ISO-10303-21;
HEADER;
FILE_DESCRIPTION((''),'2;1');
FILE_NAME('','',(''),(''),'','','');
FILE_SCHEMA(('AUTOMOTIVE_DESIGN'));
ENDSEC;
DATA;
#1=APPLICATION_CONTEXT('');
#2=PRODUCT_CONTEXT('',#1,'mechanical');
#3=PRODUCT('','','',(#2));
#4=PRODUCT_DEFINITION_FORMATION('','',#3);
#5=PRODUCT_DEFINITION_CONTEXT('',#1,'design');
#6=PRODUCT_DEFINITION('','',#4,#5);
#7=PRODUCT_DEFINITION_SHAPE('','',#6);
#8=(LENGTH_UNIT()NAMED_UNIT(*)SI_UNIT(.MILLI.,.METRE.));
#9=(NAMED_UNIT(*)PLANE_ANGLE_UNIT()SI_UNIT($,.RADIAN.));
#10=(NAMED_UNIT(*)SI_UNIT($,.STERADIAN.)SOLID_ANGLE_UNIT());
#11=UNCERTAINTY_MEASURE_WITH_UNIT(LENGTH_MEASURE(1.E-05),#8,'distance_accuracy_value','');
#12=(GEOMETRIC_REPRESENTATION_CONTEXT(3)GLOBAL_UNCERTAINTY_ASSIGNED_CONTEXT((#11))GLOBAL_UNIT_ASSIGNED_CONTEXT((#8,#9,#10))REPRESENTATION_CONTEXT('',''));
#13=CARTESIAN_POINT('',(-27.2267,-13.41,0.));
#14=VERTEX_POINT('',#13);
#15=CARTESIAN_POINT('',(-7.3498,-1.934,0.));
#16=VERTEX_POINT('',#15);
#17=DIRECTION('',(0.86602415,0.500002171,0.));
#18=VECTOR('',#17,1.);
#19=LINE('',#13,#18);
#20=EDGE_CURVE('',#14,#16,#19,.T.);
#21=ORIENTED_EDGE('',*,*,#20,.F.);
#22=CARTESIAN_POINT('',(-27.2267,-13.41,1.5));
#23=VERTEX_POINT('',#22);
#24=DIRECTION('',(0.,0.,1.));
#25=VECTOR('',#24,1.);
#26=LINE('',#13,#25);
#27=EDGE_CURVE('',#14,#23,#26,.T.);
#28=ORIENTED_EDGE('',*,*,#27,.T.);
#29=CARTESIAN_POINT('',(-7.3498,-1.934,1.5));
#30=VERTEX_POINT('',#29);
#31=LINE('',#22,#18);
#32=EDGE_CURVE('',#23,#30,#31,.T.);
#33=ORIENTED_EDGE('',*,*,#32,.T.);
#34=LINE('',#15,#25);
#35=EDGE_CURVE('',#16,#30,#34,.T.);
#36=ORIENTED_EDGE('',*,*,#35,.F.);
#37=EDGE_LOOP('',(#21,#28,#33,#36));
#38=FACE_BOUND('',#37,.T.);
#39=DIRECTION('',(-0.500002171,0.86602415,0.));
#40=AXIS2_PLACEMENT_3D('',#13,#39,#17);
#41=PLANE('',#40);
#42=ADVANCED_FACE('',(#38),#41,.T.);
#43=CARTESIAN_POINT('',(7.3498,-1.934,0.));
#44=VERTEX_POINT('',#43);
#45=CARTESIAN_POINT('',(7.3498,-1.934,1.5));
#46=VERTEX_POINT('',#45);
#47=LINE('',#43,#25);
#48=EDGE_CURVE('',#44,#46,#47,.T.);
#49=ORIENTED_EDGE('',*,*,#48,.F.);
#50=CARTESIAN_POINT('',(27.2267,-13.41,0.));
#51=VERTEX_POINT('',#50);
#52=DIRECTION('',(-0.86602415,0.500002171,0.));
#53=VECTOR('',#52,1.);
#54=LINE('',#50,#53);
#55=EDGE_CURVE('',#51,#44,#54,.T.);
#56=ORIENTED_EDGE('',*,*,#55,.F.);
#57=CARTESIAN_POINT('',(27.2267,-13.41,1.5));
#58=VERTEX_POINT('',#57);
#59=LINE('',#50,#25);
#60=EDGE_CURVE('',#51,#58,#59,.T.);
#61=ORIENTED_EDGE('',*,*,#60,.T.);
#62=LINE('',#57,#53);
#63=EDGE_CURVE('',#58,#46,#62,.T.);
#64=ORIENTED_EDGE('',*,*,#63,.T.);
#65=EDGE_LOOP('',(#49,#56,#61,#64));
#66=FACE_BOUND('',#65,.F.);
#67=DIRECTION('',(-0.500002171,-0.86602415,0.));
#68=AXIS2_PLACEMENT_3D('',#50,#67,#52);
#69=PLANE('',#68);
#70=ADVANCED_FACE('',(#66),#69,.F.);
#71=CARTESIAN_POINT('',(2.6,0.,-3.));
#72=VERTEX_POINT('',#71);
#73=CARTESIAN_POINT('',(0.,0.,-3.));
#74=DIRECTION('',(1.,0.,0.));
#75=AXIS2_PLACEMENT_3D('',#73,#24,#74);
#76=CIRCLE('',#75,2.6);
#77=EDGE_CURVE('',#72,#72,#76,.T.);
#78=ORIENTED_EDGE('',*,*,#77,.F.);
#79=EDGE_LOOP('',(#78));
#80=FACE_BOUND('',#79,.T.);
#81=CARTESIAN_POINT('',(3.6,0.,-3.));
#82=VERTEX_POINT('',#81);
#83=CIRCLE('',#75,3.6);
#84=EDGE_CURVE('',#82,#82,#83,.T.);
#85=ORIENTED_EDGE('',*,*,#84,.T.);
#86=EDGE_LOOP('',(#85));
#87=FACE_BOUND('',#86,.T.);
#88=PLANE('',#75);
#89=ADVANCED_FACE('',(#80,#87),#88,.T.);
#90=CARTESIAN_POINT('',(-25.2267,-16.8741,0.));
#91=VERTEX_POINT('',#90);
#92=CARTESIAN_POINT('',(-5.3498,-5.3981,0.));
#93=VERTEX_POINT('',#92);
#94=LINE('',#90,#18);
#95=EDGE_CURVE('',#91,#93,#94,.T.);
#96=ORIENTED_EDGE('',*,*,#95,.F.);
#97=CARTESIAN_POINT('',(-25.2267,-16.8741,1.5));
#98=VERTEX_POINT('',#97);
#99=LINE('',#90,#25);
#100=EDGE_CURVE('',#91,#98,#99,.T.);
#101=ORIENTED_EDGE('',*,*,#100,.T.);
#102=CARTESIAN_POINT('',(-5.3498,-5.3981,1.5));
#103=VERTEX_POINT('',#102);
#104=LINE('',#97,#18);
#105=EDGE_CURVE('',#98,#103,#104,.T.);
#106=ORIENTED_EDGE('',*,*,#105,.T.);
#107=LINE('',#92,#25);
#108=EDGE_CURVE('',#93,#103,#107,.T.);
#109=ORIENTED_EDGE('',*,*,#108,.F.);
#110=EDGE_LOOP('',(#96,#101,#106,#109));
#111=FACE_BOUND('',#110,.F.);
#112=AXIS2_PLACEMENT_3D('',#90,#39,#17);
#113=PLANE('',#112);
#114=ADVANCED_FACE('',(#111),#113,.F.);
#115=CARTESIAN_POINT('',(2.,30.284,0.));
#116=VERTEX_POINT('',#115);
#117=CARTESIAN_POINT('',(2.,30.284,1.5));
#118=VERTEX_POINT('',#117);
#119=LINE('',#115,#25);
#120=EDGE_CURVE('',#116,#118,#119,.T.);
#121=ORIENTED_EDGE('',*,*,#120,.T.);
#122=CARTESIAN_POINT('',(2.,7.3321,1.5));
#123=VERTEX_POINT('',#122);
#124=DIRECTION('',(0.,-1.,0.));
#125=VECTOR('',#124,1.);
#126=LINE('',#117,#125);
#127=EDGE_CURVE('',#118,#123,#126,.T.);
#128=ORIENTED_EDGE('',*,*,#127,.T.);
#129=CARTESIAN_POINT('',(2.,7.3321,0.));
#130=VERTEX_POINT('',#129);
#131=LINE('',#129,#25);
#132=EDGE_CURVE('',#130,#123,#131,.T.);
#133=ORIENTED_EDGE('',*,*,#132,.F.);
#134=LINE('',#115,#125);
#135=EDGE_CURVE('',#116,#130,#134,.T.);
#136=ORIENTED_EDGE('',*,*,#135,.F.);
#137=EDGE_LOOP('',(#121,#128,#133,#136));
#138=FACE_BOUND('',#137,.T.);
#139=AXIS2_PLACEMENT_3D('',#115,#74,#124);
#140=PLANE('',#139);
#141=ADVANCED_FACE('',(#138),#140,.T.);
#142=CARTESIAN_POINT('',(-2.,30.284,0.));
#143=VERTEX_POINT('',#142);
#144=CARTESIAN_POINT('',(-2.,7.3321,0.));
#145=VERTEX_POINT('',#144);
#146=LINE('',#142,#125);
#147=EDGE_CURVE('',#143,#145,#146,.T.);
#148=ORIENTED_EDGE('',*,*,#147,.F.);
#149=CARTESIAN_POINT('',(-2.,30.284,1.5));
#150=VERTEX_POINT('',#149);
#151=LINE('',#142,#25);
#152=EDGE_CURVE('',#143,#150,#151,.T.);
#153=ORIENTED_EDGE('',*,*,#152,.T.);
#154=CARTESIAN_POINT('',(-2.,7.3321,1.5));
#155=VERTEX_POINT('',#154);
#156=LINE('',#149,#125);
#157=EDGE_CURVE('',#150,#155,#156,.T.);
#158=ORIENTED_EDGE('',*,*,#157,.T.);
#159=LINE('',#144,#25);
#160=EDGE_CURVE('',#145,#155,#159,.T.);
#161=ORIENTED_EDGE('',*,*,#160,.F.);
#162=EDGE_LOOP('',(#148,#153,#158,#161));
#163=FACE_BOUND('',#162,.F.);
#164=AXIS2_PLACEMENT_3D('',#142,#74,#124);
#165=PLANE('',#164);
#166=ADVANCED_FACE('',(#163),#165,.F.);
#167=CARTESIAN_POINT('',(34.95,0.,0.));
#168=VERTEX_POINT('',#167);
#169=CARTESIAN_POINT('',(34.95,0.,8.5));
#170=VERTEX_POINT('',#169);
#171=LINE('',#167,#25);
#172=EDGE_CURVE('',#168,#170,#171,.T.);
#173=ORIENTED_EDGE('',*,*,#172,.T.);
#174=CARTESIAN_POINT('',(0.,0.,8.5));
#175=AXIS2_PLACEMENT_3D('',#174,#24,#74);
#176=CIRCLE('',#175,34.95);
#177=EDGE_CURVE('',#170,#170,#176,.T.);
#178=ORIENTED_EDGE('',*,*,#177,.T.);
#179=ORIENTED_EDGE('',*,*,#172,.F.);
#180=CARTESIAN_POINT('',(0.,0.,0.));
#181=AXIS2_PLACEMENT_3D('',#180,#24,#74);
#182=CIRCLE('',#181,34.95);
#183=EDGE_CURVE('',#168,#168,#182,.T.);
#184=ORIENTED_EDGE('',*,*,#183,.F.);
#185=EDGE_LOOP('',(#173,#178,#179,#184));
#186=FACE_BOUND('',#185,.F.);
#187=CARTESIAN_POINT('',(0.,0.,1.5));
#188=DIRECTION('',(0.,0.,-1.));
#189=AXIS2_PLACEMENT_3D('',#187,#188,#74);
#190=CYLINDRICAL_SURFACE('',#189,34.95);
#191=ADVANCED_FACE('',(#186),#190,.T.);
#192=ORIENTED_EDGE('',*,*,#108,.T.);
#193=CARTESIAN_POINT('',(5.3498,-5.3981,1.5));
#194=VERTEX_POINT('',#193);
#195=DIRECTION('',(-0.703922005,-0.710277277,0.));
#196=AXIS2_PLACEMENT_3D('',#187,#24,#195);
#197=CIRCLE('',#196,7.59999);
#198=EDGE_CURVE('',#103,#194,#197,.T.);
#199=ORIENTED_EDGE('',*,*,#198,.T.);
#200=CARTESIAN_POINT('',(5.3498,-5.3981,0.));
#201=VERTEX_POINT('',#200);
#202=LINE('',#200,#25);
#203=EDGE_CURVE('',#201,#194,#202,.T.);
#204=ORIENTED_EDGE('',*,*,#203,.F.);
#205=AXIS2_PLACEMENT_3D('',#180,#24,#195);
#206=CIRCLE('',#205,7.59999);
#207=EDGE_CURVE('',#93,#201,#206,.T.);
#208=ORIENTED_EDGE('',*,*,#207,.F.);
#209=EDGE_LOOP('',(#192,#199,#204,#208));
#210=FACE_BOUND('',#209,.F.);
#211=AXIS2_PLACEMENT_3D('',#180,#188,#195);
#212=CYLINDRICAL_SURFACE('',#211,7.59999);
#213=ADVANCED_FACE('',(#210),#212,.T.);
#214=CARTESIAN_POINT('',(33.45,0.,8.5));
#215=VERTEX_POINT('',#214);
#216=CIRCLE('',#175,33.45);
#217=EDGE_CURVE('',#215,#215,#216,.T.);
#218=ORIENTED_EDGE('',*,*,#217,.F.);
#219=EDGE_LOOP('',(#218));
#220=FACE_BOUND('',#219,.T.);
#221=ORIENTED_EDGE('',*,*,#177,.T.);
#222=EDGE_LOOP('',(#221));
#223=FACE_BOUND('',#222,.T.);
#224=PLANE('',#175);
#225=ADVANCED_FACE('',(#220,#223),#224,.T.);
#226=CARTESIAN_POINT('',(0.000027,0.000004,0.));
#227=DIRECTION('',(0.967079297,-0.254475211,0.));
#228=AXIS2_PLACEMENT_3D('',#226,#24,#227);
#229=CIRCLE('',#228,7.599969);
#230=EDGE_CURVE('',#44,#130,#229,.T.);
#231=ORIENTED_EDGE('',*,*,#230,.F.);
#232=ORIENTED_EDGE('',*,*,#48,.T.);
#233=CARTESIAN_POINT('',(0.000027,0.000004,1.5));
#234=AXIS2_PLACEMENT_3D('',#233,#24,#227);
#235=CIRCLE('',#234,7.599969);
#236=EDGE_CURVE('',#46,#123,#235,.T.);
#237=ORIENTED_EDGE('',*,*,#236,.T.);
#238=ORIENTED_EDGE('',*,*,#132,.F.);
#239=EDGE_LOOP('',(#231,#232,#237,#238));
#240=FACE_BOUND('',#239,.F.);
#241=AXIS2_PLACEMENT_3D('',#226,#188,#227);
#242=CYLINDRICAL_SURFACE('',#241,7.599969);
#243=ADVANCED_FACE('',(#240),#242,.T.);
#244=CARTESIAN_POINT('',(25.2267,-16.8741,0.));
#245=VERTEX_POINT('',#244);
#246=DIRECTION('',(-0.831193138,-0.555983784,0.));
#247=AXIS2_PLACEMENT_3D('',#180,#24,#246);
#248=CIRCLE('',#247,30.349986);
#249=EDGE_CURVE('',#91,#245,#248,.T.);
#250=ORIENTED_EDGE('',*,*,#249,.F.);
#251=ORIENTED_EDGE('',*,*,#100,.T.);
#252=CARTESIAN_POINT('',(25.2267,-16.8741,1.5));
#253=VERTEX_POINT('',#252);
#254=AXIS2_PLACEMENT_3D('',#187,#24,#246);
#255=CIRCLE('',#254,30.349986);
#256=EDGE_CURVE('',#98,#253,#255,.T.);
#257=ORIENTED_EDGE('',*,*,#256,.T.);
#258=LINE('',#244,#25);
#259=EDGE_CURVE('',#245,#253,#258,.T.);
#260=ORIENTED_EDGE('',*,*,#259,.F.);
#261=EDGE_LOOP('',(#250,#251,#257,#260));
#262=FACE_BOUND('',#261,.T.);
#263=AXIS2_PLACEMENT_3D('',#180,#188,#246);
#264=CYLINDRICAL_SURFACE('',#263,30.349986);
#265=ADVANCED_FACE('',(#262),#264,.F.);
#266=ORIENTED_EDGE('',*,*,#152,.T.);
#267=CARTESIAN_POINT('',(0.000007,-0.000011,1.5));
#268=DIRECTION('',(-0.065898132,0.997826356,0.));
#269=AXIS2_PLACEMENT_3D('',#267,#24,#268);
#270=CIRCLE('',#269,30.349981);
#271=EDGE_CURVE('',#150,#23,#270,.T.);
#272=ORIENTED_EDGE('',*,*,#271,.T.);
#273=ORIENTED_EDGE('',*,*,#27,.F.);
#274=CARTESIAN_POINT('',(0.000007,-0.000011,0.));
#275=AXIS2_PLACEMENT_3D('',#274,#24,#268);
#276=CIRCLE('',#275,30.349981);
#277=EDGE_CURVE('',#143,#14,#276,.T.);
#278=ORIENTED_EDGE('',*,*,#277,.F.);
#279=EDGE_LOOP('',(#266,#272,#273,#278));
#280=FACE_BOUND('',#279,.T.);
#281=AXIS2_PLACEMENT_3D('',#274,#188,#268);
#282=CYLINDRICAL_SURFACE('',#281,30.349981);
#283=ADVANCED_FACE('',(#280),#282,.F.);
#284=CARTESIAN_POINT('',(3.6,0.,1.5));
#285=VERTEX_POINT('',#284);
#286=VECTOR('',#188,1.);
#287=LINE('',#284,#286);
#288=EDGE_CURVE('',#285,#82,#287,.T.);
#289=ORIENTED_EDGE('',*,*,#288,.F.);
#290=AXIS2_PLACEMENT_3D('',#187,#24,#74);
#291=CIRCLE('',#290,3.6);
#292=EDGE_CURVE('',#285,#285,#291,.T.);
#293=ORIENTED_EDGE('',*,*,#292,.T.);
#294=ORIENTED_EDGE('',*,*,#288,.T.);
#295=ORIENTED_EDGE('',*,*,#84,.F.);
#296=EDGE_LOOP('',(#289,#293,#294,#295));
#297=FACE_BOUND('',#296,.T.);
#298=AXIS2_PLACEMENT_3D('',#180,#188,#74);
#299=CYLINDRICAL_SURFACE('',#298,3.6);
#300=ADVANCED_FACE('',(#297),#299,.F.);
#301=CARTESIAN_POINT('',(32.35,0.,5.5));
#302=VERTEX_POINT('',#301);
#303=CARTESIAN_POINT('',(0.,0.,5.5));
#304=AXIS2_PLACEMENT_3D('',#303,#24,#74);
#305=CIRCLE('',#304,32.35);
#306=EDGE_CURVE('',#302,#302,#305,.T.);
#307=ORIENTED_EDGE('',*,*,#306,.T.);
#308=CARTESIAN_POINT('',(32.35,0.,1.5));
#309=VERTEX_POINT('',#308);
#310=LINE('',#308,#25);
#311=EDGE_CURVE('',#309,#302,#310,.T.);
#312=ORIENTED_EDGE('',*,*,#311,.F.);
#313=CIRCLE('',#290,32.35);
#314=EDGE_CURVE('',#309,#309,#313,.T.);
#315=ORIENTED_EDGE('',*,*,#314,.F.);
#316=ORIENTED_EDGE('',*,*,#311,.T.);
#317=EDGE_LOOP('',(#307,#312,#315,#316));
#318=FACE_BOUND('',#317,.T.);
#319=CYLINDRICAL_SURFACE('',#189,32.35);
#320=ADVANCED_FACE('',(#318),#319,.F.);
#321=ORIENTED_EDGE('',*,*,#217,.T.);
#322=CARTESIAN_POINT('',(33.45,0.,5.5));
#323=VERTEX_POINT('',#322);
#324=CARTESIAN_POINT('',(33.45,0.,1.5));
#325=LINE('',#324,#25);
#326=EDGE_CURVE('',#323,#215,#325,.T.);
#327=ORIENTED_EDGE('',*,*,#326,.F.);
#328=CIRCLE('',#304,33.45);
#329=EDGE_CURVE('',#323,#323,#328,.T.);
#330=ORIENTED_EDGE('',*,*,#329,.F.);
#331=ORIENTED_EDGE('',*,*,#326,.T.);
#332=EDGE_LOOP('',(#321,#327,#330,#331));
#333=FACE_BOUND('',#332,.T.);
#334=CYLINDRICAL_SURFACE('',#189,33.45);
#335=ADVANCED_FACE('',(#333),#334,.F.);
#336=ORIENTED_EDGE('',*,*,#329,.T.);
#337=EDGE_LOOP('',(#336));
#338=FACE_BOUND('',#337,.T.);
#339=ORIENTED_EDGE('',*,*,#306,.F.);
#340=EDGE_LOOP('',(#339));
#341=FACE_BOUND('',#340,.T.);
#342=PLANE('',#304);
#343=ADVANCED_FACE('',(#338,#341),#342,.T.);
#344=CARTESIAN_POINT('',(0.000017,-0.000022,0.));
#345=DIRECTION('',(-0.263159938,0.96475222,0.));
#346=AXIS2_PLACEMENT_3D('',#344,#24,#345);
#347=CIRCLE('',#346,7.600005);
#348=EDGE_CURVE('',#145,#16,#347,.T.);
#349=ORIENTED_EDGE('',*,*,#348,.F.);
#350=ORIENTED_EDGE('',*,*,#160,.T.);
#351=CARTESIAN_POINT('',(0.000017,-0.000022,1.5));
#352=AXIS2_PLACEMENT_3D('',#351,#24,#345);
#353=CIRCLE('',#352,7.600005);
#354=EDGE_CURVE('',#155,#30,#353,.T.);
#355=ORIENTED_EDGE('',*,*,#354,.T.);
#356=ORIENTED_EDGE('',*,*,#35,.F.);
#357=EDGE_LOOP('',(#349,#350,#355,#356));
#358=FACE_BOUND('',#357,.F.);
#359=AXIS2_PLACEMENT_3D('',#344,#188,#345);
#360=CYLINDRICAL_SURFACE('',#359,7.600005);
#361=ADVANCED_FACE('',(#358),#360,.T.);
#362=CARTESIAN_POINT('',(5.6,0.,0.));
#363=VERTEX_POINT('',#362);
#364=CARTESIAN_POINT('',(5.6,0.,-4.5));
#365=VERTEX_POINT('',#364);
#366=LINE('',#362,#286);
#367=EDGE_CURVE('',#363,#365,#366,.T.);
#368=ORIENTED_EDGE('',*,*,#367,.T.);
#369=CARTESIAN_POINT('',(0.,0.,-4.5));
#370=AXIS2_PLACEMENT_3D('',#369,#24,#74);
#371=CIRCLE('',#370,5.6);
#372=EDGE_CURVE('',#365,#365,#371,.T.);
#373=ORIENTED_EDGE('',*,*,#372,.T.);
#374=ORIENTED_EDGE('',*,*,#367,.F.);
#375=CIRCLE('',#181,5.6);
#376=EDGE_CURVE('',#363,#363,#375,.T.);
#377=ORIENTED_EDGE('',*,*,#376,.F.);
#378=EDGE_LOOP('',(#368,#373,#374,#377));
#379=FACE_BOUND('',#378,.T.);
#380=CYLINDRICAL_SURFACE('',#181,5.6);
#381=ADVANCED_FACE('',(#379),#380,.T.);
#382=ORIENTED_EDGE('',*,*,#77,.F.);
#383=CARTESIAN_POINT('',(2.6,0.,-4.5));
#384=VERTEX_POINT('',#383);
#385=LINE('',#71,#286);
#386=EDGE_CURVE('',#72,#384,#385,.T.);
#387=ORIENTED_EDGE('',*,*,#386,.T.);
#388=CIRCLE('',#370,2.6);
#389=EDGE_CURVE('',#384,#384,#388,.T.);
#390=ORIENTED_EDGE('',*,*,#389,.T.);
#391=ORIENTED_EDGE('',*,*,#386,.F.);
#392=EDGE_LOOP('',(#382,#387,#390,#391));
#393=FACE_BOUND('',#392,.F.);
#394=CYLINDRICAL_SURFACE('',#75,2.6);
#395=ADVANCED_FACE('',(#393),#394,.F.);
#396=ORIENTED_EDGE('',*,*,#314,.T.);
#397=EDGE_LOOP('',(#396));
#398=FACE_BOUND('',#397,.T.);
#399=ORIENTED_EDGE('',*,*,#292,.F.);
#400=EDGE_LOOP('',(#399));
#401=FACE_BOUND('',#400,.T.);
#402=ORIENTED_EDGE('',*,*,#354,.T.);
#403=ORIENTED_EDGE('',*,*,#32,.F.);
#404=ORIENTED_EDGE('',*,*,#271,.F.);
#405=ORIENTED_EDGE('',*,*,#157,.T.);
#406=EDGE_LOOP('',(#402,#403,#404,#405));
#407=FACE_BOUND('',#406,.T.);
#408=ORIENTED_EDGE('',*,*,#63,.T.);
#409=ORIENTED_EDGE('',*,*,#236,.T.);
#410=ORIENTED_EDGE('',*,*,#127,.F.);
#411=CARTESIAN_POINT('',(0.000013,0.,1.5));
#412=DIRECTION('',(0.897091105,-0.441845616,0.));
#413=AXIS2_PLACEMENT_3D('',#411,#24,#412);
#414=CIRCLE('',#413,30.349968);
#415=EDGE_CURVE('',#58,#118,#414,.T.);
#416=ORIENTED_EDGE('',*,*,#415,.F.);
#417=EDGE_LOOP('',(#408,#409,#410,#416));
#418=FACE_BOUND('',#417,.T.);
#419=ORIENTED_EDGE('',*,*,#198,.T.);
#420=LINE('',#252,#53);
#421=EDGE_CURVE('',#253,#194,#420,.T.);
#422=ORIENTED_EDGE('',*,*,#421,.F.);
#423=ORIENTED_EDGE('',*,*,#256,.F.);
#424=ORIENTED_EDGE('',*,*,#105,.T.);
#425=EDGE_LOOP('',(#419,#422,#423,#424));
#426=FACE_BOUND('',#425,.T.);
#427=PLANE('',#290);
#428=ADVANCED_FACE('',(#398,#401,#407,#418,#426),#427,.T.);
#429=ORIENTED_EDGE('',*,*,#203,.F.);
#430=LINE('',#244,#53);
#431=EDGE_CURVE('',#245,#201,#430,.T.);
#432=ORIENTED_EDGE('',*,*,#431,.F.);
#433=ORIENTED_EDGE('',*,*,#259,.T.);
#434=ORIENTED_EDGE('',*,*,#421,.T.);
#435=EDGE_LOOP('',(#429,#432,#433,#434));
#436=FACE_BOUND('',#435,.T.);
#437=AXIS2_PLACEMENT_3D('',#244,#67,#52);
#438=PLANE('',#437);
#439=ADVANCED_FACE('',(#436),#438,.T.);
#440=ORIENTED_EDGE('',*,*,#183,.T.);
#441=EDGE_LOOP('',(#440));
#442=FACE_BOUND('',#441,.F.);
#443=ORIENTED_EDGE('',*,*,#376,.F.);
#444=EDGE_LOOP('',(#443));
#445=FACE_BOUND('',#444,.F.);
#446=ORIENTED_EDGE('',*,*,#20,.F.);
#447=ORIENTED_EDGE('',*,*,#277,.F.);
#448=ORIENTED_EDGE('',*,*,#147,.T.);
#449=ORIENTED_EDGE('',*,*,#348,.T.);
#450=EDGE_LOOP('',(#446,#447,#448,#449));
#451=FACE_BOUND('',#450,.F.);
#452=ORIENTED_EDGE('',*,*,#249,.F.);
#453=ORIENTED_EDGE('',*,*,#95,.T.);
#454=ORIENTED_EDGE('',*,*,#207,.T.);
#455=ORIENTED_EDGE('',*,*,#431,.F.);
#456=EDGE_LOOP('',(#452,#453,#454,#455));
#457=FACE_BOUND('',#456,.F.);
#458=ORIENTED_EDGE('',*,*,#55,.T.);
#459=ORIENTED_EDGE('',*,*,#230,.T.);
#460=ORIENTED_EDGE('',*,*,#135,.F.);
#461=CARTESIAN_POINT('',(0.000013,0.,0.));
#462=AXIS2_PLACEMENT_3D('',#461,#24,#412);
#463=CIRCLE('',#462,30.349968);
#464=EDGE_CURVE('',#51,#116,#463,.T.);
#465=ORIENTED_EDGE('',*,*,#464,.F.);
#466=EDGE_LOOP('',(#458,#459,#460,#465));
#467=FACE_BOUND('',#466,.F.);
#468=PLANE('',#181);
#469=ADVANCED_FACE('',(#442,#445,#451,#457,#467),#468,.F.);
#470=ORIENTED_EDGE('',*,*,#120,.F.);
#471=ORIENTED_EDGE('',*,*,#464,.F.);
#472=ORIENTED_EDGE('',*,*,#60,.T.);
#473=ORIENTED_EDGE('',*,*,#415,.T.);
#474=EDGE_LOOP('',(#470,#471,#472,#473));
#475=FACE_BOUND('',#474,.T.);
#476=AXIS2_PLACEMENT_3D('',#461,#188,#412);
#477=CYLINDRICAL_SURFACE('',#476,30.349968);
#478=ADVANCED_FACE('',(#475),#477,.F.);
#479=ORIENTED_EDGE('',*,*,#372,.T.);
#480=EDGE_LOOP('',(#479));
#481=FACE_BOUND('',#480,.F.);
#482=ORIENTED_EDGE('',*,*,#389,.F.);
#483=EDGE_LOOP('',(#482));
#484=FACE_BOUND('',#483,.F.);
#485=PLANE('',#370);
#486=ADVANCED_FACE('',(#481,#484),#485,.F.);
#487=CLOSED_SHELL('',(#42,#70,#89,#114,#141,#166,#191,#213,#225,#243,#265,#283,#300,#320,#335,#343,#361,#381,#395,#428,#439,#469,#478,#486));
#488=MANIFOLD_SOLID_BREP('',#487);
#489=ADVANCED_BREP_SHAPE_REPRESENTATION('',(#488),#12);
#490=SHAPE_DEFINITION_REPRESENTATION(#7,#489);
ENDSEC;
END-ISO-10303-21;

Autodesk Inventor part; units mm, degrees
ref_plane "YZ Plane" through (0, 0, 0) normal (1, 0, 0) x (0, 1, 0)
ref_plane "XZ Plane" through (0, 0, 0) normal (0, 1, 0) x (-1, 0, 0)
ref_plane "XY Plane" through (0, 0, 0) normal (0, 0, 1) x (1, 0, 0)
sketch "Skizze1" plane through (0, 0, 0) normal (0, 0, 1) x (1, 0, 0)
  circle A0 centre (0, 0) radius 33.35 construction
  circle A1 centre (0, 0) radius 34.95
  circle A2 centre (0, 0) radius 3.6
  circle A3 centre (0, 0) radius 5.6
  circle A4 centre (0, 0) radius 33.45
  circle A5 centre (0, 0) radius 2.6
  line L0 (0, 51.4164) -> (0, -49.3444) construction
  line L1 (-54.4561, 0) -> (54.4561, 0) construction
  line L2 (-2, 30.284) -> (-2, 7.3321)
  line L3 (0, 0) -> (-28.9685, 16.725) construction
  line L4 (-27.2267, -13.41) -> (-7.3498, -1.934)
  arc A6 (-2, 7.3321) -> (-7.3498, -1.934) centre (0, 0) ccw
  arc A7 (-2, 30.284) -> (-27.2267, -13.41) centre (0, 0) ccw
  line L5 (25.2267, -16.8741) -> (5.3498, -5.3981)
  arc A8 (-25.2267, -16.8741) -> (25.2267, -16.8741) centre (0, 0) ccw
  line L6 (-25.2267, -16.8741) -> (-5.3498, -5.3981)
  arc A9 (-5.3498, -5.3981) -> (5.3498, -5.3981) centre (0, 0) ccw
  line L7 (2, 30.284) -> (2, 7.3321)
  arc A10 (27.2267, -13.41) -> (2, 30.284) centre (0, 0) ccw
  line L8 (27.2267, -13.41) -> (7.3498, -1.934)
  arc A11 (7.3498, -1.934) -> (2, 7.3321) centre (0, 0) ccw
  circle A12 centre (0, 0) radius 32.35
  dimension "d1" = 33.35
  dimension "d2" = 7.2
  dimension "d3" = 2
  dimension "d4" = 0.1
  dimension "d5" = 1.5
  dimension "d12" = 1
  dimension "d17" = 60
  dimension "d18" = 2
  dimension "d19" = 3
  dimension "d20" = 2
  dimension "d23" = 360
  dimension "d25" = 1
extrude "Extrusion1" add sketch "Skizze1" along normal blind 1.5 contours A1 | A3 | A4 | A12
extrude "Extrusion2" add sketch "Skizze1" along normal blind 7 from surface at 1.5 contours A1
extrude "Extrusion3" add sketch "Skizze1" against normal blind 3 from surface at 0 contours A3
extrude "Extrusion4" add sketch "Skizze1" against normal blind 1.5 from surface at -3 contours A2 | A3
extrude "Extrusion5" add sketch "Skizze1" along normal blind 4 from surface at 1.5 contours A4
properties part number "ShaftHolder"
